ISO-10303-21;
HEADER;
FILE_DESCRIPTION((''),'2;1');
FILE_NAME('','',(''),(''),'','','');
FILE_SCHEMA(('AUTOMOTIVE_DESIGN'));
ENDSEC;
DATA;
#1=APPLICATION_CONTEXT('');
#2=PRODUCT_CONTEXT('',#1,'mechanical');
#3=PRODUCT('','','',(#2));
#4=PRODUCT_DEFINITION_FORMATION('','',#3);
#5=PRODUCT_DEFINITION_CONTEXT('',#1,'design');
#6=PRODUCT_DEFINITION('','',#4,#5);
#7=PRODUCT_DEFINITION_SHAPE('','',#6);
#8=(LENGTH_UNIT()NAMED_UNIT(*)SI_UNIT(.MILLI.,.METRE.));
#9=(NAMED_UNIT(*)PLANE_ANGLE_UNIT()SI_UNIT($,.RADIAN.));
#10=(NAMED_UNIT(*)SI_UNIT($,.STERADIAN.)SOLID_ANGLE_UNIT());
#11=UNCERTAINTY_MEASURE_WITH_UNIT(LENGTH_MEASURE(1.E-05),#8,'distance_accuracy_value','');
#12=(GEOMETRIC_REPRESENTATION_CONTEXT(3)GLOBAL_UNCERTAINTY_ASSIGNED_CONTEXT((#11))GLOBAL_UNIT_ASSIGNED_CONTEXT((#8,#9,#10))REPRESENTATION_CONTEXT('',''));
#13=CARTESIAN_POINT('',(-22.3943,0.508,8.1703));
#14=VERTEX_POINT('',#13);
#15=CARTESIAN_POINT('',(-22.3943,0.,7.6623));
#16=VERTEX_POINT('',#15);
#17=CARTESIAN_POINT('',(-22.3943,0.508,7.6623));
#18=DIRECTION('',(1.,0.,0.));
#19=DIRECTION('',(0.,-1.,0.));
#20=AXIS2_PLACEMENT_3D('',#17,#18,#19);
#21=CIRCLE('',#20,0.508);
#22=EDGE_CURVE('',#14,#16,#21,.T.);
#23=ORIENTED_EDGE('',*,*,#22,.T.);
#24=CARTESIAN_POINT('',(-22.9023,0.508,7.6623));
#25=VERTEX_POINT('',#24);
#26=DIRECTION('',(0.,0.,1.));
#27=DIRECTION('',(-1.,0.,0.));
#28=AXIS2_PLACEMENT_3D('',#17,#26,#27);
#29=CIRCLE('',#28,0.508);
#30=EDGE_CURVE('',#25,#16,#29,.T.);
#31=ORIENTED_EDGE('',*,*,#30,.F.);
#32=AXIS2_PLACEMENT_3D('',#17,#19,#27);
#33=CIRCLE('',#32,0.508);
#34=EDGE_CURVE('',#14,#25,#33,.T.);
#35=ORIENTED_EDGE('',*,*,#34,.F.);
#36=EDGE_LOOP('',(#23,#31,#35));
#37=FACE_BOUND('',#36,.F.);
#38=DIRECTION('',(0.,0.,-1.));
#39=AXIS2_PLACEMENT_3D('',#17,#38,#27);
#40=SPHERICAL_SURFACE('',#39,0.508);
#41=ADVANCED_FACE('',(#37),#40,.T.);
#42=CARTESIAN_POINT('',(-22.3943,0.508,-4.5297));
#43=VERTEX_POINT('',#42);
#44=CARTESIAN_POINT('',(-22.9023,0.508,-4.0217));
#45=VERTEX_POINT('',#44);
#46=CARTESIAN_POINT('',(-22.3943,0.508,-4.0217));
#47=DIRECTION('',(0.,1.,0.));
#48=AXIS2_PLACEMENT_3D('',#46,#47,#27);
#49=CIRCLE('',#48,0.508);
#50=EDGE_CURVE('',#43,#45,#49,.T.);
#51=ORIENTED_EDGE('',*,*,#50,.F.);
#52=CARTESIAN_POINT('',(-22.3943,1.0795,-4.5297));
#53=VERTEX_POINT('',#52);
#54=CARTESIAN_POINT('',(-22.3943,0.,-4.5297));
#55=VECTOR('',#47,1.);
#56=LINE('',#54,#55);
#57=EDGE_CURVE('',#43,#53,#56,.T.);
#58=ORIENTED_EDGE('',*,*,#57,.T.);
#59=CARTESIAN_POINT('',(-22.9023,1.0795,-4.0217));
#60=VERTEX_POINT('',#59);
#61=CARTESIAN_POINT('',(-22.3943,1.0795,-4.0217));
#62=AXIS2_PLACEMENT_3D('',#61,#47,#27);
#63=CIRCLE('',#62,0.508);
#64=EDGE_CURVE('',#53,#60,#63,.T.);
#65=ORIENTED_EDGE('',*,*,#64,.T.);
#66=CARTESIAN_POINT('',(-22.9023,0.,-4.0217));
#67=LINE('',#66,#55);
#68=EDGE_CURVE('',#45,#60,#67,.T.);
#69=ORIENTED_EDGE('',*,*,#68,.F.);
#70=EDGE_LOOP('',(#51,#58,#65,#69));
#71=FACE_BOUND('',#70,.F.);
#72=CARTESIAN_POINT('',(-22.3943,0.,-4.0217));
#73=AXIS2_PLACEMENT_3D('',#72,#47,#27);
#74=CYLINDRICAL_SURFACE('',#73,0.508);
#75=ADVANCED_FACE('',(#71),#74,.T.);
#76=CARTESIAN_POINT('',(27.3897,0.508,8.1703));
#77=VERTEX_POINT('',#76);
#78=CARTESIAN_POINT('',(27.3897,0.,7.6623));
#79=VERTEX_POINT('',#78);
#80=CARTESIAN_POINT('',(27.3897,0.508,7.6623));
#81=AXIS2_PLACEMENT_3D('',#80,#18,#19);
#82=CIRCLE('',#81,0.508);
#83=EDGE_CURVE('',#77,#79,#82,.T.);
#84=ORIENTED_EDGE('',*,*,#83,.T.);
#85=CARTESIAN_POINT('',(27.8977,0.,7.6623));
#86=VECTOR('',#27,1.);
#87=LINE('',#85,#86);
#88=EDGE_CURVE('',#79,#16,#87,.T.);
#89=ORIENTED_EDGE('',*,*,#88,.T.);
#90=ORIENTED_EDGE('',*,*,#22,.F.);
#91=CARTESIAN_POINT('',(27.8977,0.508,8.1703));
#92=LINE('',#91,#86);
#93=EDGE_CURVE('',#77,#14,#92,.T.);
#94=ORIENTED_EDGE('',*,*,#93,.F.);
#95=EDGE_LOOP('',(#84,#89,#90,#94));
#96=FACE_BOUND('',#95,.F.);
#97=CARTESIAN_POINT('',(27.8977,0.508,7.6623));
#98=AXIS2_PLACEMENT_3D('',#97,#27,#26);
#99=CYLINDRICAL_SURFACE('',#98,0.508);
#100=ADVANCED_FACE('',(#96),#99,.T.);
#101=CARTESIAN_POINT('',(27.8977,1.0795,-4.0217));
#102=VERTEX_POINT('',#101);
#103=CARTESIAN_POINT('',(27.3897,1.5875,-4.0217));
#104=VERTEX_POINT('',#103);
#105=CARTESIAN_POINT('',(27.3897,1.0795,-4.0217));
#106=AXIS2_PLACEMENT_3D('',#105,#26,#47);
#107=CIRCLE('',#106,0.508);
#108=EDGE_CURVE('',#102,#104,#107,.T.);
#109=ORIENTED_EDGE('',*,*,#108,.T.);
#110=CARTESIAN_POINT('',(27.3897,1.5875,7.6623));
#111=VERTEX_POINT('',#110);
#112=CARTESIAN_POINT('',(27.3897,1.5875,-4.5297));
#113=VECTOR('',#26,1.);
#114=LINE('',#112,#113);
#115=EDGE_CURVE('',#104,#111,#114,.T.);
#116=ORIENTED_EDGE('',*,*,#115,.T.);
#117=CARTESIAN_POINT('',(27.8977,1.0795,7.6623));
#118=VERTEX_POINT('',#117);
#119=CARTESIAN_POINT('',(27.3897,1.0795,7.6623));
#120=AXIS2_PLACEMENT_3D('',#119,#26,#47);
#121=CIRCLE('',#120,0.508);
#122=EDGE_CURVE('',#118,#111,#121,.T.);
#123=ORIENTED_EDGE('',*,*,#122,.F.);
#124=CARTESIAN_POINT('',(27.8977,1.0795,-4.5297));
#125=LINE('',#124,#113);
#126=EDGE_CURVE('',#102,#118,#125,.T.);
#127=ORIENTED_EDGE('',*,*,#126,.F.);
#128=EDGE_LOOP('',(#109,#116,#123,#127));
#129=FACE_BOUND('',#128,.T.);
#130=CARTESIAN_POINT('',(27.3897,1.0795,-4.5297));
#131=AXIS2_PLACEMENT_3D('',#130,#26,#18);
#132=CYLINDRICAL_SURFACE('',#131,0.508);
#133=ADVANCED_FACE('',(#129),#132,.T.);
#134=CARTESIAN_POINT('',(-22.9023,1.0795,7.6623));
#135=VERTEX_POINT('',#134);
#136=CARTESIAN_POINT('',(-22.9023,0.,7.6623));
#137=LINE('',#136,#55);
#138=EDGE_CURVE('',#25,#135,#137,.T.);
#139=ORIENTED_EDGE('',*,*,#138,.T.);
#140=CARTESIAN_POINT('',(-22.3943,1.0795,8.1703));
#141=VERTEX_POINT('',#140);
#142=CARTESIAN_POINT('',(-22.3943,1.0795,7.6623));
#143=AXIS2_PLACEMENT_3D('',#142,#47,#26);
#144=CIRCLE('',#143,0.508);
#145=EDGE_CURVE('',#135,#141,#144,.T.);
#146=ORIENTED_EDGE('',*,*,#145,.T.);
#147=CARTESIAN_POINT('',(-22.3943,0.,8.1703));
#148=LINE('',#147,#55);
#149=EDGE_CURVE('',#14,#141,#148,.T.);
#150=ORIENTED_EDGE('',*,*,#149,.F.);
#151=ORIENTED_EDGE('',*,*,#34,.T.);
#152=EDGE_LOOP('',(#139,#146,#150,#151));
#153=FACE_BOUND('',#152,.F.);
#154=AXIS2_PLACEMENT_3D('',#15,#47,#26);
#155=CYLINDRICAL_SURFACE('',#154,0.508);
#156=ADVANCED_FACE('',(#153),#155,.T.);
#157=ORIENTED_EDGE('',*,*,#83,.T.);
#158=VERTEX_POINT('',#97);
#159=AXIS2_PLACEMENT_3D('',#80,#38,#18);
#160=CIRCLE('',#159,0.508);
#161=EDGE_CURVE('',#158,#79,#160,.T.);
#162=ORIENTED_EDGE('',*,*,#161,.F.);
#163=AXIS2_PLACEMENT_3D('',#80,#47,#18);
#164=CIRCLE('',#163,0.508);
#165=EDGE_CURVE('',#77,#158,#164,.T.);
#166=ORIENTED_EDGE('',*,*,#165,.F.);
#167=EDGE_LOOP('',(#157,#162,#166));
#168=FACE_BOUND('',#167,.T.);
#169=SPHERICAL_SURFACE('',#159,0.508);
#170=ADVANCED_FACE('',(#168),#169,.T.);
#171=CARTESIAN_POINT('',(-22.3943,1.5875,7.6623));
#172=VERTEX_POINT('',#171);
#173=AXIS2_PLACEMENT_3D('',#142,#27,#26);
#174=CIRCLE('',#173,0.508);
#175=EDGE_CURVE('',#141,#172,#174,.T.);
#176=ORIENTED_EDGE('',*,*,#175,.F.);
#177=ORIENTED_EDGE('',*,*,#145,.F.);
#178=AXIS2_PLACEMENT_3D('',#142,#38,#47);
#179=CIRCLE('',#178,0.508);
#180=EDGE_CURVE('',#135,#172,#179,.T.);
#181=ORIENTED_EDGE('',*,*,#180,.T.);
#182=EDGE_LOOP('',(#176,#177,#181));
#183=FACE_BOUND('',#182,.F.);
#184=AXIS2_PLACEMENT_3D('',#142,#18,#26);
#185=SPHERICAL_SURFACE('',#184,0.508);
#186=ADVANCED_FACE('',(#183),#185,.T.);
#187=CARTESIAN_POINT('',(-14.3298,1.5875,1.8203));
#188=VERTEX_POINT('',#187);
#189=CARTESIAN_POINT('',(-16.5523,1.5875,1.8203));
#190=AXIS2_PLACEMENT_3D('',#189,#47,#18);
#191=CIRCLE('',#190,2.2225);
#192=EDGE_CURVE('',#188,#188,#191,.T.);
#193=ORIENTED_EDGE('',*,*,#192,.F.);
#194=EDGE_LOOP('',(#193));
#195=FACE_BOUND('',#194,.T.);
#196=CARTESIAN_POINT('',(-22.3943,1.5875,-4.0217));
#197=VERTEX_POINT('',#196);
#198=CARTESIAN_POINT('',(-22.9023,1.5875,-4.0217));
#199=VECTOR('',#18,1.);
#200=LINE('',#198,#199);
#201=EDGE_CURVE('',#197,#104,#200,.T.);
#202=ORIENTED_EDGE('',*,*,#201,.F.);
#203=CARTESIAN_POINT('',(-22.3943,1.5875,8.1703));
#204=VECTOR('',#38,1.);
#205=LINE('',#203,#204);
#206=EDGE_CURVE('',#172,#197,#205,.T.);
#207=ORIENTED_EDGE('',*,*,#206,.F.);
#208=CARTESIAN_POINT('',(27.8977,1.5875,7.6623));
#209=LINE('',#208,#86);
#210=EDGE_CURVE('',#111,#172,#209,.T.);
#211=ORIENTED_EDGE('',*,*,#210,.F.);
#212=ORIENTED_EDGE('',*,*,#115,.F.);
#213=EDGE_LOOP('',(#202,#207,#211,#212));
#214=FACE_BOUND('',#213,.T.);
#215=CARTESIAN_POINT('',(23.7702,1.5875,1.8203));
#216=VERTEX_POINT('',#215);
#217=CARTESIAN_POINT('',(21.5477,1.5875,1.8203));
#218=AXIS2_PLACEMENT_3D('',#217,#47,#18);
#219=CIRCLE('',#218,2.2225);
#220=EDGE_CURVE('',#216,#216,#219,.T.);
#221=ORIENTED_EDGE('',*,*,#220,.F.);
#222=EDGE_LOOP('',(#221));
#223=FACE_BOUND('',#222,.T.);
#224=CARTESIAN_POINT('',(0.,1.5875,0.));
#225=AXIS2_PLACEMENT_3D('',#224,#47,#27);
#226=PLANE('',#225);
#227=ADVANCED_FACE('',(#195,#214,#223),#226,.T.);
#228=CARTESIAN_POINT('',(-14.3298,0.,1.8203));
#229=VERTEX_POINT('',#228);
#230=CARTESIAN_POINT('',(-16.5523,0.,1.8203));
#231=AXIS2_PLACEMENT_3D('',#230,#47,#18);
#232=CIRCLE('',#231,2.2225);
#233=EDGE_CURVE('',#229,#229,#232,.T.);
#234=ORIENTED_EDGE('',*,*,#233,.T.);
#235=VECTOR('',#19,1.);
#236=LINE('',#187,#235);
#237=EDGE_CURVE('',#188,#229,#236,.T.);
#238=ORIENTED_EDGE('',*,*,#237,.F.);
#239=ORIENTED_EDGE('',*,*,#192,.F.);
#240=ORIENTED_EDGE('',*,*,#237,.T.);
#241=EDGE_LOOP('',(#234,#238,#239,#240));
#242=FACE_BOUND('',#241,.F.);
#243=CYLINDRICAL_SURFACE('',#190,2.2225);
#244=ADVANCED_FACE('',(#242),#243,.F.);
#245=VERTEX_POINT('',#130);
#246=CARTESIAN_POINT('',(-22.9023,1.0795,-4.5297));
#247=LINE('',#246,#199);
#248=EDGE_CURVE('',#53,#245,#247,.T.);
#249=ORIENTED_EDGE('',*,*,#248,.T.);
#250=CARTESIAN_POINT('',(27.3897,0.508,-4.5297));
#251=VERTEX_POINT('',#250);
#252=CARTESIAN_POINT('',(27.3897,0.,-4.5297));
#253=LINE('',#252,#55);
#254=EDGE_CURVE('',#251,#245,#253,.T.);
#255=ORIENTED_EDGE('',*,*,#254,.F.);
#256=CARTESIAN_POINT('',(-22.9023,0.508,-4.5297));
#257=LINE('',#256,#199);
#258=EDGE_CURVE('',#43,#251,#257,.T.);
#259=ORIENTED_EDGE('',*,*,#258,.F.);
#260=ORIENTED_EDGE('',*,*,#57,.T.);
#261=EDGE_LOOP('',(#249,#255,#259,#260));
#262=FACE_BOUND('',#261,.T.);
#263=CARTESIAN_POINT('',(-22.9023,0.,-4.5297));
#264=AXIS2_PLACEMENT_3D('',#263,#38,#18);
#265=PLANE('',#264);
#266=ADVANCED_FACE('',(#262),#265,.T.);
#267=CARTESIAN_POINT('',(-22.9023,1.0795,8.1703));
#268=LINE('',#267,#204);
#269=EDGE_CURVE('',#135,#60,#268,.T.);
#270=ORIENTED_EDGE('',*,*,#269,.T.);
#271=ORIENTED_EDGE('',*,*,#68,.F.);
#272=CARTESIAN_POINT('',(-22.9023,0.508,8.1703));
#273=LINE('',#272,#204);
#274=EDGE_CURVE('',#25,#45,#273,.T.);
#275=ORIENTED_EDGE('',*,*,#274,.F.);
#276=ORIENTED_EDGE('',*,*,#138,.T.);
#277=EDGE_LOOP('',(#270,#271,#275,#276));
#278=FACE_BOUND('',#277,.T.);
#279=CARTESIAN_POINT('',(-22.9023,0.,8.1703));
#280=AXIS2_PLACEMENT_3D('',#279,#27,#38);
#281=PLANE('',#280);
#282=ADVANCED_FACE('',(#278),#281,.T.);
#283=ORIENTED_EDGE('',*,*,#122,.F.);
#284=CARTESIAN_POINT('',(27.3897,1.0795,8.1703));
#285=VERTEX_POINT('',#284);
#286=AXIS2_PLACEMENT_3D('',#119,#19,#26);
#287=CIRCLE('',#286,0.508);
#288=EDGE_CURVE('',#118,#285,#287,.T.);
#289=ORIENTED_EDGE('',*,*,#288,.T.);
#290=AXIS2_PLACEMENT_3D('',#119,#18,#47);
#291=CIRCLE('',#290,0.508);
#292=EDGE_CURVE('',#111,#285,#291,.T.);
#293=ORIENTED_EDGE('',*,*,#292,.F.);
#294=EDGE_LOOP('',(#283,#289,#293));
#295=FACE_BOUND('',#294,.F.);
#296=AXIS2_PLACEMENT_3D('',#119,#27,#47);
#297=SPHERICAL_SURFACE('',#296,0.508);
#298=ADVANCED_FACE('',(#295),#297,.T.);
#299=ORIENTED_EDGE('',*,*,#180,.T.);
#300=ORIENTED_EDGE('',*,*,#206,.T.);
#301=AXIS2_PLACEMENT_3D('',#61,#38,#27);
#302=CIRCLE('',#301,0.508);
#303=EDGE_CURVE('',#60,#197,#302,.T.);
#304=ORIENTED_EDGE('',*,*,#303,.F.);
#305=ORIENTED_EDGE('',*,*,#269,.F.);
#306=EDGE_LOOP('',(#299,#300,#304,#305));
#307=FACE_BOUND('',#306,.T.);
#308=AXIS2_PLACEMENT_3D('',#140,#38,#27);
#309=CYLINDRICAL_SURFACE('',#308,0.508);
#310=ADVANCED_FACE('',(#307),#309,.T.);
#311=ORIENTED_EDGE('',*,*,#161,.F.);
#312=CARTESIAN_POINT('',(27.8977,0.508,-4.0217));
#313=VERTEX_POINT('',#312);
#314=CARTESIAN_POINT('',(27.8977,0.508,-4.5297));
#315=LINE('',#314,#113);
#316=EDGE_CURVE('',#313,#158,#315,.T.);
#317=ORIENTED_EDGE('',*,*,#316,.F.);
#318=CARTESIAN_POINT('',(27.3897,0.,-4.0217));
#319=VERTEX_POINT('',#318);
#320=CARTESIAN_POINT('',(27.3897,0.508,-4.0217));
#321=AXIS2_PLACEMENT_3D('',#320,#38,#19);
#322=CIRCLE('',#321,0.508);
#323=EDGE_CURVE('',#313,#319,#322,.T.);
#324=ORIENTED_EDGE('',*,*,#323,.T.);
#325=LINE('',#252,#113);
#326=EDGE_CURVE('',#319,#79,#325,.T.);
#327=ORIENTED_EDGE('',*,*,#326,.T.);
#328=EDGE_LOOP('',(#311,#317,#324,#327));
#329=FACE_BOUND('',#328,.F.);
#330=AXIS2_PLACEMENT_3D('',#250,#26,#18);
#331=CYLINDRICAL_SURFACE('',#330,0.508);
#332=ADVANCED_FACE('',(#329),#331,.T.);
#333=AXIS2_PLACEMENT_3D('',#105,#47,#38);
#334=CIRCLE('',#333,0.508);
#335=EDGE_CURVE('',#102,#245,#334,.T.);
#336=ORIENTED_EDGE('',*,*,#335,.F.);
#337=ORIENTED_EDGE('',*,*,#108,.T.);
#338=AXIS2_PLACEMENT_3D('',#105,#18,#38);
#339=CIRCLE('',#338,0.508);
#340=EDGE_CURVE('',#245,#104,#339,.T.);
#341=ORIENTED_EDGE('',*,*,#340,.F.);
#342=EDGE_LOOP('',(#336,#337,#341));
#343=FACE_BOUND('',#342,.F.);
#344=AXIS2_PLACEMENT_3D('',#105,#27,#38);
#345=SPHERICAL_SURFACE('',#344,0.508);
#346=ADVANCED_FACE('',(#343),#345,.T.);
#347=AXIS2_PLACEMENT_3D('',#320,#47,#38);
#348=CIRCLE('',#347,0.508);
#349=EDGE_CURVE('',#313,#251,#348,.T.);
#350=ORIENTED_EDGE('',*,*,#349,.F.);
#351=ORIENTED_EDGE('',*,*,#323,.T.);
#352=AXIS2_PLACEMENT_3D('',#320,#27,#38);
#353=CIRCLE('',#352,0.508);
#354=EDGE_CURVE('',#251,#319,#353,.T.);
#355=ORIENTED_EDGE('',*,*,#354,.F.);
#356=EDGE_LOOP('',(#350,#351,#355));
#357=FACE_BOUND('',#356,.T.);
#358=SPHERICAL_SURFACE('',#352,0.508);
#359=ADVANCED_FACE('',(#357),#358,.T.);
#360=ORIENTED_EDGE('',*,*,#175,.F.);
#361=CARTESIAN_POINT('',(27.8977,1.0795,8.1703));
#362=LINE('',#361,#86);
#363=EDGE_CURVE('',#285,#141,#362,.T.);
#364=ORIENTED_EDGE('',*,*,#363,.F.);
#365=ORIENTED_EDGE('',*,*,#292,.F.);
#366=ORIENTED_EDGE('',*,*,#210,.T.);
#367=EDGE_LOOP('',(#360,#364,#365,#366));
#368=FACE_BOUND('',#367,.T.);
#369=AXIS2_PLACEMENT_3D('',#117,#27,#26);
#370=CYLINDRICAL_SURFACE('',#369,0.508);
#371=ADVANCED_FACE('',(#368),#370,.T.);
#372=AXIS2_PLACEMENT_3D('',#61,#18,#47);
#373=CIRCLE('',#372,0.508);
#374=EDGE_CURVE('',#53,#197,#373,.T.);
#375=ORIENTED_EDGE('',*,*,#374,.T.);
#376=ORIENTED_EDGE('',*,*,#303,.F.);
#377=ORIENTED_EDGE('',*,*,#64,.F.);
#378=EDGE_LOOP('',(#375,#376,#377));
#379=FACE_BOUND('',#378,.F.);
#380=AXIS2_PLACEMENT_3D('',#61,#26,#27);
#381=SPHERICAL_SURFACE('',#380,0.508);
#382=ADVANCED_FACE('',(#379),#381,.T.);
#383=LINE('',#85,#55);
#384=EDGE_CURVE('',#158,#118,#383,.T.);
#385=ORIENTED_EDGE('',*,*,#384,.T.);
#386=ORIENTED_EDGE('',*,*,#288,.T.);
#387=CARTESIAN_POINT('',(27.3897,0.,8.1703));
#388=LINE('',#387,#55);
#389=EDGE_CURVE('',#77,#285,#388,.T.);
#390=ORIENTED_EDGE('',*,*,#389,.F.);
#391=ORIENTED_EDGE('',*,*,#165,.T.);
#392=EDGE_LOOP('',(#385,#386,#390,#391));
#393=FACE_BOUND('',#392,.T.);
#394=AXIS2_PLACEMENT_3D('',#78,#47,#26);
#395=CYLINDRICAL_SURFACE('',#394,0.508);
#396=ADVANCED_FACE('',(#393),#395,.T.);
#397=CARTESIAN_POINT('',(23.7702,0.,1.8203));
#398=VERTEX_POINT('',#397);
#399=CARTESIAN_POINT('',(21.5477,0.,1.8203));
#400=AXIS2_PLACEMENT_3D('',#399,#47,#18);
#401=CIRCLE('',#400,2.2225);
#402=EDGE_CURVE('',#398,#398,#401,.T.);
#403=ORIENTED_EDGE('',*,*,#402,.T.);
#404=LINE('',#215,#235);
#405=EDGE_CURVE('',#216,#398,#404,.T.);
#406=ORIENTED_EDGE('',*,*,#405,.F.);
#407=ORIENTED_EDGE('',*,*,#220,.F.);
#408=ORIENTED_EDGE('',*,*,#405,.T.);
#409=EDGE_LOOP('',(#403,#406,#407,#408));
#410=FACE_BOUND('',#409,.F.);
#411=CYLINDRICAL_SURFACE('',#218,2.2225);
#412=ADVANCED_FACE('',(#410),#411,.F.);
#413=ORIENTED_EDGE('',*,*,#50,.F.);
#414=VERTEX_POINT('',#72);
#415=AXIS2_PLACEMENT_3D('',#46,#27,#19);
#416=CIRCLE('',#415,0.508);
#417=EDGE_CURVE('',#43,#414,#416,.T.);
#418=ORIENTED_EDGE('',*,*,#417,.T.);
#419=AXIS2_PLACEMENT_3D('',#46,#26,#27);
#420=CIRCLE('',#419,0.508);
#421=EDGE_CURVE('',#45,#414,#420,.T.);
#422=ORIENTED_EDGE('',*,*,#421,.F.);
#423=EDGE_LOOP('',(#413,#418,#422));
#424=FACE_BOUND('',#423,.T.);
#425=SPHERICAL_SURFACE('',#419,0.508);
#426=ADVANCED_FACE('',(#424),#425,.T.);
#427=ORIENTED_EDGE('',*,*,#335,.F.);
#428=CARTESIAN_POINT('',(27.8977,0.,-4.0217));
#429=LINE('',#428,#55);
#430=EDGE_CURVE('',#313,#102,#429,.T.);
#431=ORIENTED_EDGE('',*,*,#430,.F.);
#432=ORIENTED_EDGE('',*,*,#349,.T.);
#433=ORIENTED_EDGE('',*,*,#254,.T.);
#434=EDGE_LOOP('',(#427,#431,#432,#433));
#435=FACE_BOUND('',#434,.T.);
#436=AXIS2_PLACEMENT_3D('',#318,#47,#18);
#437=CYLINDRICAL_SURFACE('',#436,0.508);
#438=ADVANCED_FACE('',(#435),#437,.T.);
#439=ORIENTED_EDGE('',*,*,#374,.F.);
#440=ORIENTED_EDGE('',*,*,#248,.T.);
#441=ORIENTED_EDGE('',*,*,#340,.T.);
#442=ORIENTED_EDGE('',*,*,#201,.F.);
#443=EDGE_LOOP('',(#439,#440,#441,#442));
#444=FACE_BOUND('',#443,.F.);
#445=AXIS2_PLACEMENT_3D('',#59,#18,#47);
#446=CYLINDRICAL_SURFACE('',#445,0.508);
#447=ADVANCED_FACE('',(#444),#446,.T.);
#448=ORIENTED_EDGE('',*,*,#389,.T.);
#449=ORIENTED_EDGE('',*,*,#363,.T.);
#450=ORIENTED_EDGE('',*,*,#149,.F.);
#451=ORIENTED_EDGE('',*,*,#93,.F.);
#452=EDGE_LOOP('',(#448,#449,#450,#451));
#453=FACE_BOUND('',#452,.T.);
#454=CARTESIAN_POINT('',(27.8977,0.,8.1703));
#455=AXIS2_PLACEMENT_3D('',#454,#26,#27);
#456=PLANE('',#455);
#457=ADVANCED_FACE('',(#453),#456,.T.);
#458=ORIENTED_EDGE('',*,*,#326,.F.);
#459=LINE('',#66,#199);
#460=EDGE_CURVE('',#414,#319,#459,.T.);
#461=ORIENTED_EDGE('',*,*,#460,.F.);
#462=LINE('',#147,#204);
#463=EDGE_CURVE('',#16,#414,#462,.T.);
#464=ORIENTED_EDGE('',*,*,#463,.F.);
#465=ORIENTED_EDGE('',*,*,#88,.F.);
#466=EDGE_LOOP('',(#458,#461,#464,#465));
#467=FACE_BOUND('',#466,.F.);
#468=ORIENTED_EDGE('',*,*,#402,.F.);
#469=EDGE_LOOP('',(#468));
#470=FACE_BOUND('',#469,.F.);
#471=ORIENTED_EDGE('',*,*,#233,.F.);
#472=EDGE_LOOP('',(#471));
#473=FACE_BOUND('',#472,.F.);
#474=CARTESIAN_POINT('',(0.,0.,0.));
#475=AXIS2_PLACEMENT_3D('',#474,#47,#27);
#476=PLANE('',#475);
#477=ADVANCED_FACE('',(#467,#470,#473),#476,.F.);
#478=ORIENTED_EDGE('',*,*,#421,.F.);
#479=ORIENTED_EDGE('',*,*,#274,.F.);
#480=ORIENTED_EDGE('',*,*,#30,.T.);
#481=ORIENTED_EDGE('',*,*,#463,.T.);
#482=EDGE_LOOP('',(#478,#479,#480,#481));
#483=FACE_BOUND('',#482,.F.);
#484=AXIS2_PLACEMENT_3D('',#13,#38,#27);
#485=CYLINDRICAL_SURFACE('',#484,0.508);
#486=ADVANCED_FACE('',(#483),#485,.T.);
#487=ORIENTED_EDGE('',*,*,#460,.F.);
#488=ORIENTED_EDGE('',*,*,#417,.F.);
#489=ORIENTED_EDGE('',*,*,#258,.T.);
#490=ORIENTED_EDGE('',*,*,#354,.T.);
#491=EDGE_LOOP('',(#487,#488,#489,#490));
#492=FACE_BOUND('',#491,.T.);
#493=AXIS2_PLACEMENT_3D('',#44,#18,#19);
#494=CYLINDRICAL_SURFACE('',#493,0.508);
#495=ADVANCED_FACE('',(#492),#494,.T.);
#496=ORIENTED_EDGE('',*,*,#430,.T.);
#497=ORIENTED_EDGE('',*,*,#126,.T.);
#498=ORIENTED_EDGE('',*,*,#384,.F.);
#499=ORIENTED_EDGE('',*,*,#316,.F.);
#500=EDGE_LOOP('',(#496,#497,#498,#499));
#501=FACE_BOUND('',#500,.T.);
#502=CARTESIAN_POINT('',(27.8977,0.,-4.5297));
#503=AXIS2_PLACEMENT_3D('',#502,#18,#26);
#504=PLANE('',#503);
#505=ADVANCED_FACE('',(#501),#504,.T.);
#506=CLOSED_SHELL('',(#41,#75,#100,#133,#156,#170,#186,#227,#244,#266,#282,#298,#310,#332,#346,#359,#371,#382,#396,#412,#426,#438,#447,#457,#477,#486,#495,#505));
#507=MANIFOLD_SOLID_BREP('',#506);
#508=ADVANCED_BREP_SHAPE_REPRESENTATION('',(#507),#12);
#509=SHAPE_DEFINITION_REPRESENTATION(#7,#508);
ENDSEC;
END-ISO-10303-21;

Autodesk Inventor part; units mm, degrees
ref_plane "YZ Plane" through (0, 0, 0) normal (1, 0, 0) x (0, 1, 0)
ref_plane "XZ Plane" through (0, 0, 0) normal (0, 1, 0) x (-1, 0, 0)
ref_plane "XY Plane" through (0, 0, 0) normal (0, 0, 1) x (1, 0, 0)
sketch "Sketch1" plane through (0, 0, 0) normal (0, 1, 0) x (-1, 0, 0)
  line L0 (-27.8977, 8.1703) -> (22.9023, 8.1703)
  line L1 (22.9023, 8.1703) -> (22.9023, -4.5297)
  line L2 (22.9023, -4.5297) -> (-27.8977, -4.5297)
  line L3 (-27.8977, -4.5297) -> (-27.8977, 8.1703)
  point P0 (0, 0)
  dimension "d0" = 50.8
  dimension "d1" = 12.7
extrude "Extrusion1" add sketch "Sketch1" along normal blind 1.5875
sketch "Sketch2" plane through (0, 1.5875, 0) normal (0, 1, 0) x (1, 0, 0)
  line L0 (27.8977, -8.1703) -> (27.8977, 4.5297) projected
  line L1 (27.8977, 4.5297) -> (-22.9023, 4.5297) projected
  line L2 (-22.9023, 4.5297) -> (-22.9023, -8.1703) projected
  circle A0 centre (-16.5523, -1.8203) radius 2.2225
  circle A1 centre (21.5477, -1.8203) radius 2.2225
  point P0 (0, 0)
  dimension "d4" = 4.445
  dimension "d5" = 6.35
  dimension "d6" = 4.445
  dimension "d7" = 6.35
  dimension "d8" = 6.35
  dimension "d9" = 6.35
extrude "Extrusion2" cut sketch "Sketch2" against normal blind 1.5875
fillet "Fillet1" radius 0.508 12 edges at (2.4977, 1.5875, 8.1703) (-22.9023, 0, 1.8203) (-22.9023, 0.7937, 8.1703) (-22.9023, 1.5875, 1.8203) (-22.9023, 0.7937, -4.5297) (2.4977, 0, -4.5297) (2.4977, 1.5875, -4.5297) (27.8977, 0.7937, -4.5297) (27.8977, 0, 1.8203) (27.8977, 1.5875, 1.8203) (27.8977, 0.7937, 8.1703) (2.4977, 0, 8.1703)
properties part number "4 hole long poly"
